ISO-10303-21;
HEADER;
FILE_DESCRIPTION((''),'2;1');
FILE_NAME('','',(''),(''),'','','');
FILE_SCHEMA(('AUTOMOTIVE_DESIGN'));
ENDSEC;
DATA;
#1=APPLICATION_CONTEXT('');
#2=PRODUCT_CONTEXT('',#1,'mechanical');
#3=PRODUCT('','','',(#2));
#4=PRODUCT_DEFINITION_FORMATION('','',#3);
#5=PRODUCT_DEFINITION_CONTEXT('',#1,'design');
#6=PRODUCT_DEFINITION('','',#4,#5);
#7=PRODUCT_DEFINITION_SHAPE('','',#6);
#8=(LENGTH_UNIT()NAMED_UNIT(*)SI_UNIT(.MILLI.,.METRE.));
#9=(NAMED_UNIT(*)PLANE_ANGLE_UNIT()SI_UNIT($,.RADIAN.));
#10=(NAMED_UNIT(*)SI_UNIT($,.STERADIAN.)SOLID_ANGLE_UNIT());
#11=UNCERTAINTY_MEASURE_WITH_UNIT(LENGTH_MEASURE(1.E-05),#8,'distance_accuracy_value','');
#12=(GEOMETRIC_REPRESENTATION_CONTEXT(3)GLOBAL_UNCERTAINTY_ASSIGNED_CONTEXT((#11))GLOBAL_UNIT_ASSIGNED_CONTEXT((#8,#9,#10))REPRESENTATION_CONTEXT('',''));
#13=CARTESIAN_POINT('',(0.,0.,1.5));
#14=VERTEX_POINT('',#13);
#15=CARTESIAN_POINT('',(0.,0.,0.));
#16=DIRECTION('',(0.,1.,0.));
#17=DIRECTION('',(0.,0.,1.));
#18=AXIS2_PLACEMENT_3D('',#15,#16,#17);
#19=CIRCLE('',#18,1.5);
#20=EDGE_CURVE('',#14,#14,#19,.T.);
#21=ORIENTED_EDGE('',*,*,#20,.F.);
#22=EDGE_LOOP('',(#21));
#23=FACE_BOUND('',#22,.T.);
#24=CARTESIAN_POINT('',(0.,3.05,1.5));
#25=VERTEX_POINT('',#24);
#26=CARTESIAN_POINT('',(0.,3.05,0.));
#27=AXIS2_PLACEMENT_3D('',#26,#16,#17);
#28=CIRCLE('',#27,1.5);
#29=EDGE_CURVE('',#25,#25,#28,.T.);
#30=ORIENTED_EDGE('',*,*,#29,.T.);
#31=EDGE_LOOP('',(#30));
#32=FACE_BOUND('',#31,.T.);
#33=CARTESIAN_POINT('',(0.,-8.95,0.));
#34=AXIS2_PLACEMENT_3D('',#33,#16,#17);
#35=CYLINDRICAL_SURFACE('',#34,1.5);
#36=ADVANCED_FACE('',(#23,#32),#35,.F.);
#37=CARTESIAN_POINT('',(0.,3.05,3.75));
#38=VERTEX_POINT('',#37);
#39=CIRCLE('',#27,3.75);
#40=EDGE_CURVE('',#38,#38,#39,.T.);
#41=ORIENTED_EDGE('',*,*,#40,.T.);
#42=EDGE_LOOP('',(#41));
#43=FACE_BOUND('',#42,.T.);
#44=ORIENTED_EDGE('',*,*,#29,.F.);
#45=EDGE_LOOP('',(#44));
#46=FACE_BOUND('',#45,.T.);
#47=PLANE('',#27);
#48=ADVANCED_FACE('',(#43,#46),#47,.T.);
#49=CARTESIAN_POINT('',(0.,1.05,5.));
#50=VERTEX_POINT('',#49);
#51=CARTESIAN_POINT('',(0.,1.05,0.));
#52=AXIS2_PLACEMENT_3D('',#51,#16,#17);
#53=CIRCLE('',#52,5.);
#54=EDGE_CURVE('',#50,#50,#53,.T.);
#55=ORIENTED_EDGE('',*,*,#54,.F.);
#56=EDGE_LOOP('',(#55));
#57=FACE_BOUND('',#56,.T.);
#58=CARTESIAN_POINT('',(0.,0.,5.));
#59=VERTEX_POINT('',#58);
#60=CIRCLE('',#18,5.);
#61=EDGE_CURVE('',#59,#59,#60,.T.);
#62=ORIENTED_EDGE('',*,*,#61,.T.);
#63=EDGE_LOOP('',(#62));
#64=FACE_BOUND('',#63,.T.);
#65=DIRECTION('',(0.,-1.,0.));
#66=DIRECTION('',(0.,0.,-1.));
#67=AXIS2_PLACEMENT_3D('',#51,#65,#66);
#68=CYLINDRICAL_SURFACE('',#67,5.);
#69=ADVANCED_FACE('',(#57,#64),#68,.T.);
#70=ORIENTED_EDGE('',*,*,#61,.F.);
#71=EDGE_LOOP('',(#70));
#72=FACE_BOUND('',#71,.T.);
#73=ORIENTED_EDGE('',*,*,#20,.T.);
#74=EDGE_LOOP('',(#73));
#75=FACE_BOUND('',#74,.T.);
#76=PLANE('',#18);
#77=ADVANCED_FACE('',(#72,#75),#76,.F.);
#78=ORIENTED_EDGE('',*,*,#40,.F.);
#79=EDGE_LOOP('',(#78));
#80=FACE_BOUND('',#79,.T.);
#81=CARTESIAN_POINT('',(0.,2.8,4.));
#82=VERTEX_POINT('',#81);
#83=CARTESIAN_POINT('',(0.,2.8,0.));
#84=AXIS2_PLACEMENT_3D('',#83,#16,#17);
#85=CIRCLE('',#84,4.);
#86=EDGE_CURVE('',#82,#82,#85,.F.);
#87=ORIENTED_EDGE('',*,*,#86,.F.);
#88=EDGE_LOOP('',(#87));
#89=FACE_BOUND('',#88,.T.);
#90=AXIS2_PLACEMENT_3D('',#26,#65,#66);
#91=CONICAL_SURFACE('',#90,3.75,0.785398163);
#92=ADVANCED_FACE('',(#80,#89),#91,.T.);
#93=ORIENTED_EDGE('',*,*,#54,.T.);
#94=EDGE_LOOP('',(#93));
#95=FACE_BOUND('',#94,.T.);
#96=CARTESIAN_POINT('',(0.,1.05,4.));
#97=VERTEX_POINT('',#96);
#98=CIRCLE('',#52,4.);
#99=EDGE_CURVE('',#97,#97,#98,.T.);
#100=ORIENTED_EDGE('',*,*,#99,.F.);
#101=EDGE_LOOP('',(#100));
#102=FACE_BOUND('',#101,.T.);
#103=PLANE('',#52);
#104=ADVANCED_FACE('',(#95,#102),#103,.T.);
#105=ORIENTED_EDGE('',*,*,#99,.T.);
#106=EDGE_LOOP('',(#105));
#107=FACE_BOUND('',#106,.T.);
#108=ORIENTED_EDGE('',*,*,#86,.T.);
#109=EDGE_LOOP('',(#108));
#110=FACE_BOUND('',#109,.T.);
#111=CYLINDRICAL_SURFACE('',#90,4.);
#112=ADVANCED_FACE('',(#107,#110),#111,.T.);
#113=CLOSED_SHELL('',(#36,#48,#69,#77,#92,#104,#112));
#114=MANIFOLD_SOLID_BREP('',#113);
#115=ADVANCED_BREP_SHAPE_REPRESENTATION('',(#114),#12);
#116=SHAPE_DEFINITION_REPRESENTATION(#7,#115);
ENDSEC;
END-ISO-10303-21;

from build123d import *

# Parameters (mm, degrees)
SKETCH1_R           = 5
BOSS_EXTRUDE1_DEPTH = 1.05
SKETCH2_R           = 4
BOSS_EXTRUDE2_DEPTH = 2
SKETCH3_R           = 1.5
CUT_EXTRUDE1_DEPTH  = 12
CHAMFER2_SIZE       = 0.25


with BuildPart() as part:
    # Sketch1 → Boss-Extrude1 (new body)
    with BuildSketch(Plane(origin=(0, 0, 0), x_dir=(1, 0, 0), z_dir=(0, 1, 0))):
        Circle(SKETCH1_R)
    extrude(amount=BOSS_EXTRUDE1_DEPTH)

    # Sketch2 → Boss-Extrude2 (add)
    with BuildSketch(Plane(origin=(0, 1.05, 0), x_dir=(1, 0, 0), z_dir=(0, 1, 0))):
        Circle(SKETCH2_R)
    extrude(amount=BOSS_EXTRUDE2_DEPTH)

    # Sketch3 → Cut-Extrude1 (cut)
    with BuildSketch(Plane(origin=(0, 3.05, 0), x_dir=(1, 0, 0), z_dir=(0, 1, 0))):
        Circle(SKETCH3_R)
    extrude(amount=-CUT_EXTRUDE1_DEPTH, mode=Mode.SUBTRACT)

    # Chamfer2
    chamfer2_edges = [part.edges().sort_by_distance(p)[0] for p in [
        (-4, 3.05, 0),
    ]]
    chamfer(chamfer2_edges, length=CHAMFER2_SIZE)


solid = part.part
